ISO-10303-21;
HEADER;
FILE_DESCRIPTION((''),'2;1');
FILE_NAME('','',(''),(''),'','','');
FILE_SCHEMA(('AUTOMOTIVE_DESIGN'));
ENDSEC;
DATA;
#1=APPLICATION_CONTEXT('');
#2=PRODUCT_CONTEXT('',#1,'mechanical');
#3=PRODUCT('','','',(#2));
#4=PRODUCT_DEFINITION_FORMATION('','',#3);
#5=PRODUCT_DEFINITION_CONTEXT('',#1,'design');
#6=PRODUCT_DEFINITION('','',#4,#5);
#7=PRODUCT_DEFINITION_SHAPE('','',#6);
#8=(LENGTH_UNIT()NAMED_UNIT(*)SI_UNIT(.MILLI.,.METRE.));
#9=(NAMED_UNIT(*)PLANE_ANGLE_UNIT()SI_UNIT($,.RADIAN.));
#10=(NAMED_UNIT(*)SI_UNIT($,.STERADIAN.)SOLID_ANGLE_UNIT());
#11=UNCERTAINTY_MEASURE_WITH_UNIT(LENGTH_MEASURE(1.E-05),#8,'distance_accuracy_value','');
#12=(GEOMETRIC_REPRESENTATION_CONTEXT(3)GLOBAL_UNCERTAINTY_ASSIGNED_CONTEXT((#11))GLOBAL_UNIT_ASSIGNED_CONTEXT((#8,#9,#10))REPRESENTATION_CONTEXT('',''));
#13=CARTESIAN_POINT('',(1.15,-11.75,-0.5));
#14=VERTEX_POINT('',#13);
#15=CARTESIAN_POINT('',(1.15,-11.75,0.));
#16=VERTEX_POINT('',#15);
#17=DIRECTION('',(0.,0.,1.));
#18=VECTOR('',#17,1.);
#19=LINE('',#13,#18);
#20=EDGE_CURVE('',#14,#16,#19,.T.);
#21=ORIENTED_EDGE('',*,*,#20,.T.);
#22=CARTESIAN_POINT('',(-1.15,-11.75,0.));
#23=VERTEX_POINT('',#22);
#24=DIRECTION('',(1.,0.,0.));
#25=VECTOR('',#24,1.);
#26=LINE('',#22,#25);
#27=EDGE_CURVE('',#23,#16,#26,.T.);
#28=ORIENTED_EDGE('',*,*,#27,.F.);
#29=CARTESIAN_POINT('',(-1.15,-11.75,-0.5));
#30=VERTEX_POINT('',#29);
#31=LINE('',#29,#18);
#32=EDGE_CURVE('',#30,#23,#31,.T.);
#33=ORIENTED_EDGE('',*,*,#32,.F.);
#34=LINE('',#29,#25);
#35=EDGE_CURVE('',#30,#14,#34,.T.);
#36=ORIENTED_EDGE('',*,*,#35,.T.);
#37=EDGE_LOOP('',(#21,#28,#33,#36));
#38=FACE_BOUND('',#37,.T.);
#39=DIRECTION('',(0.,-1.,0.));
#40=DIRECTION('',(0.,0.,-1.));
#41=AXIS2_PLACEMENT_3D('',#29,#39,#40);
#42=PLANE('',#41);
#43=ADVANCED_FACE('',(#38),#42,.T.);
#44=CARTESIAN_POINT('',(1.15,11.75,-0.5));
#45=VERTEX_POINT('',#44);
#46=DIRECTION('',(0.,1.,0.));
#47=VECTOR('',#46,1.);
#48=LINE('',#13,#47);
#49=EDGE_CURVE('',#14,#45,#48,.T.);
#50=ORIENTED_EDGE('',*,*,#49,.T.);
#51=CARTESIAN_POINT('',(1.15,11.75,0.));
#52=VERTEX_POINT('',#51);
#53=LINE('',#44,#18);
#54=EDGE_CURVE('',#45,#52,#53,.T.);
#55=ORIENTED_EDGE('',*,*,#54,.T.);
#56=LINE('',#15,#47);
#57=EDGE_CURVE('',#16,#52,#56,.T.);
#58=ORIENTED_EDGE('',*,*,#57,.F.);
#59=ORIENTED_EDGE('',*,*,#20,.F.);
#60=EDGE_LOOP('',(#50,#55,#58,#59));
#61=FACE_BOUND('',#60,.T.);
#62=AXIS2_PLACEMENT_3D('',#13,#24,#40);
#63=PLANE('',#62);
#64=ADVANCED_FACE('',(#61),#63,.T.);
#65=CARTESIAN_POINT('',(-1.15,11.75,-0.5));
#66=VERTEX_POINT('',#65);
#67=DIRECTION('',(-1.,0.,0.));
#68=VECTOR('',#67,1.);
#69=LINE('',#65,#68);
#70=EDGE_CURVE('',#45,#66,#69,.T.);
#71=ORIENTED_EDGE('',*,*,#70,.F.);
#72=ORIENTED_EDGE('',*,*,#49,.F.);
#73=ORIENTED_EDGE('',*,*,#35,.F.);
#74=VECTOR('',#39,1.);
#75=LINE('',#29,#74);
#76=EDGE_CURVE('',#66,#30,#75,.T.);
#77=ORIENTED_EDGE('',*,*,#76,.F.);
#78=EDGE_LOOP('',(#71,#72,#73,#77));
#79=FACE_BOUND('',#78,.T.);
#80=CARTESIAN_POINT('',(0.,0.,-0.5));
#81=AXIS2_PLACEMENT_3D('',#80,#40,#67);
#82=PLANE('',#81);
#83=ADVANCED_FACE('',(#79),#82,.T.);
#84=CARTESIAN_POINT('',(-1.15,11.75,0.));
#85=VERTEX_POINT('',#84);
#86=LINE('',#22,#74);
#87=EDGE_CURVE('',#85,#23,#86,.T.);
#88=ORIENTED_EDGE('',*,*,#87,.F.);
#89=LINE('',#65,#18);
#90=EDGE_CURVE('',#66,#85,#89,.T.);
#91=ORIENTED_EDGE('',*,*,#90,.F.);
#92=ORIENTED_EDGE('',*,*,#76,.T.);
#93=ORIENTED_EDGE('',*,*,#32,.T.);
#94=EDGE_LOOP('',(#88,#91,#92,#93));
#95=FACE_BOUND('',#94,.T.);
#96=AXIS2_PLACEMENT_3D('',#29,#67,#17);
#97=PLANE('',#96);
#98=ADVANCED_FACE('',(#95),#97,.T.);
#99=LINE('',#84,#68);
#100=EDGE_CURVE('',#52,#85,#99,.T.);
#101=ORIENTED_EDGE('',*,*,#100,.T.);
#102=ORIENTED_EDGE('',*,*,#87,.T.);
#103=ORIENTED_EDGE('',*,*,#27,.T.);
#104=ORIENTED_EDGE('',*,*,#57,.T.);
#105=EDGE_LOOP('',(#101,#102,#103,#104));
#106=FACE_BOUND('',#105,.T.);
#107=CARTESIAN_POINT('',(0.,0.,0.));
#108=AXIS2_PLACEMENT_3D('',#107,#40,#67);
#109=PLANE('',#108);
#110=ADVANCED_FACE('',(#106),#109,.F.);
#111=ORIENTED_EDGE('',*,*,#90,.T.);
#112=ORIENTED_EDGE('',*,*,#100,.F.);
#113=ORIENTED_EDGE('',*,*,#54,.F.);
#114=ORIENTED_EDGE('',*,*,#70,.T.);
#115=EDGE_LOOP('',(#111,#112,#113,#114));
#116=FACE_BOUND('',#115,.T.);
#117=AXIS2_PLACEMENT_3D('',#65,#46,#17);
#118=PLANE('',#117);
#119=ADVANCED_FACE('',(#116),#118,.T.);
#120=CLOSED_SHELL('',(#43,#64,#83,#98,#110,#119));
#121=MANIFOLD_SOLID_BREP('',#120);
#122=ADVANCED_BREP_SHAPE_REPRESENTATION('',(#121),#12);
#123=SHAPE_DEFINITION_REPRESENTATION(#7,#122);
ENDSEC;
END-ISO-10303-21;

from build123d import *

# Parameters (mm, degrees)
SKETCH1_W           = 2.3
SKETCH1_H           = 23.5
BOSS_EXTRUDE1_DEPTH = 0.5


with BuildPart() as part:
    # Sketch1 → Boss-Extrude1 (new body)
    with BuildSketch(Plane.XY):
        Rectangle(SKETCH1_W, SKETCH1_H)
    extrude(amount=-BOSS_EXTRUDE1_DEPTH)


solid = part.part
